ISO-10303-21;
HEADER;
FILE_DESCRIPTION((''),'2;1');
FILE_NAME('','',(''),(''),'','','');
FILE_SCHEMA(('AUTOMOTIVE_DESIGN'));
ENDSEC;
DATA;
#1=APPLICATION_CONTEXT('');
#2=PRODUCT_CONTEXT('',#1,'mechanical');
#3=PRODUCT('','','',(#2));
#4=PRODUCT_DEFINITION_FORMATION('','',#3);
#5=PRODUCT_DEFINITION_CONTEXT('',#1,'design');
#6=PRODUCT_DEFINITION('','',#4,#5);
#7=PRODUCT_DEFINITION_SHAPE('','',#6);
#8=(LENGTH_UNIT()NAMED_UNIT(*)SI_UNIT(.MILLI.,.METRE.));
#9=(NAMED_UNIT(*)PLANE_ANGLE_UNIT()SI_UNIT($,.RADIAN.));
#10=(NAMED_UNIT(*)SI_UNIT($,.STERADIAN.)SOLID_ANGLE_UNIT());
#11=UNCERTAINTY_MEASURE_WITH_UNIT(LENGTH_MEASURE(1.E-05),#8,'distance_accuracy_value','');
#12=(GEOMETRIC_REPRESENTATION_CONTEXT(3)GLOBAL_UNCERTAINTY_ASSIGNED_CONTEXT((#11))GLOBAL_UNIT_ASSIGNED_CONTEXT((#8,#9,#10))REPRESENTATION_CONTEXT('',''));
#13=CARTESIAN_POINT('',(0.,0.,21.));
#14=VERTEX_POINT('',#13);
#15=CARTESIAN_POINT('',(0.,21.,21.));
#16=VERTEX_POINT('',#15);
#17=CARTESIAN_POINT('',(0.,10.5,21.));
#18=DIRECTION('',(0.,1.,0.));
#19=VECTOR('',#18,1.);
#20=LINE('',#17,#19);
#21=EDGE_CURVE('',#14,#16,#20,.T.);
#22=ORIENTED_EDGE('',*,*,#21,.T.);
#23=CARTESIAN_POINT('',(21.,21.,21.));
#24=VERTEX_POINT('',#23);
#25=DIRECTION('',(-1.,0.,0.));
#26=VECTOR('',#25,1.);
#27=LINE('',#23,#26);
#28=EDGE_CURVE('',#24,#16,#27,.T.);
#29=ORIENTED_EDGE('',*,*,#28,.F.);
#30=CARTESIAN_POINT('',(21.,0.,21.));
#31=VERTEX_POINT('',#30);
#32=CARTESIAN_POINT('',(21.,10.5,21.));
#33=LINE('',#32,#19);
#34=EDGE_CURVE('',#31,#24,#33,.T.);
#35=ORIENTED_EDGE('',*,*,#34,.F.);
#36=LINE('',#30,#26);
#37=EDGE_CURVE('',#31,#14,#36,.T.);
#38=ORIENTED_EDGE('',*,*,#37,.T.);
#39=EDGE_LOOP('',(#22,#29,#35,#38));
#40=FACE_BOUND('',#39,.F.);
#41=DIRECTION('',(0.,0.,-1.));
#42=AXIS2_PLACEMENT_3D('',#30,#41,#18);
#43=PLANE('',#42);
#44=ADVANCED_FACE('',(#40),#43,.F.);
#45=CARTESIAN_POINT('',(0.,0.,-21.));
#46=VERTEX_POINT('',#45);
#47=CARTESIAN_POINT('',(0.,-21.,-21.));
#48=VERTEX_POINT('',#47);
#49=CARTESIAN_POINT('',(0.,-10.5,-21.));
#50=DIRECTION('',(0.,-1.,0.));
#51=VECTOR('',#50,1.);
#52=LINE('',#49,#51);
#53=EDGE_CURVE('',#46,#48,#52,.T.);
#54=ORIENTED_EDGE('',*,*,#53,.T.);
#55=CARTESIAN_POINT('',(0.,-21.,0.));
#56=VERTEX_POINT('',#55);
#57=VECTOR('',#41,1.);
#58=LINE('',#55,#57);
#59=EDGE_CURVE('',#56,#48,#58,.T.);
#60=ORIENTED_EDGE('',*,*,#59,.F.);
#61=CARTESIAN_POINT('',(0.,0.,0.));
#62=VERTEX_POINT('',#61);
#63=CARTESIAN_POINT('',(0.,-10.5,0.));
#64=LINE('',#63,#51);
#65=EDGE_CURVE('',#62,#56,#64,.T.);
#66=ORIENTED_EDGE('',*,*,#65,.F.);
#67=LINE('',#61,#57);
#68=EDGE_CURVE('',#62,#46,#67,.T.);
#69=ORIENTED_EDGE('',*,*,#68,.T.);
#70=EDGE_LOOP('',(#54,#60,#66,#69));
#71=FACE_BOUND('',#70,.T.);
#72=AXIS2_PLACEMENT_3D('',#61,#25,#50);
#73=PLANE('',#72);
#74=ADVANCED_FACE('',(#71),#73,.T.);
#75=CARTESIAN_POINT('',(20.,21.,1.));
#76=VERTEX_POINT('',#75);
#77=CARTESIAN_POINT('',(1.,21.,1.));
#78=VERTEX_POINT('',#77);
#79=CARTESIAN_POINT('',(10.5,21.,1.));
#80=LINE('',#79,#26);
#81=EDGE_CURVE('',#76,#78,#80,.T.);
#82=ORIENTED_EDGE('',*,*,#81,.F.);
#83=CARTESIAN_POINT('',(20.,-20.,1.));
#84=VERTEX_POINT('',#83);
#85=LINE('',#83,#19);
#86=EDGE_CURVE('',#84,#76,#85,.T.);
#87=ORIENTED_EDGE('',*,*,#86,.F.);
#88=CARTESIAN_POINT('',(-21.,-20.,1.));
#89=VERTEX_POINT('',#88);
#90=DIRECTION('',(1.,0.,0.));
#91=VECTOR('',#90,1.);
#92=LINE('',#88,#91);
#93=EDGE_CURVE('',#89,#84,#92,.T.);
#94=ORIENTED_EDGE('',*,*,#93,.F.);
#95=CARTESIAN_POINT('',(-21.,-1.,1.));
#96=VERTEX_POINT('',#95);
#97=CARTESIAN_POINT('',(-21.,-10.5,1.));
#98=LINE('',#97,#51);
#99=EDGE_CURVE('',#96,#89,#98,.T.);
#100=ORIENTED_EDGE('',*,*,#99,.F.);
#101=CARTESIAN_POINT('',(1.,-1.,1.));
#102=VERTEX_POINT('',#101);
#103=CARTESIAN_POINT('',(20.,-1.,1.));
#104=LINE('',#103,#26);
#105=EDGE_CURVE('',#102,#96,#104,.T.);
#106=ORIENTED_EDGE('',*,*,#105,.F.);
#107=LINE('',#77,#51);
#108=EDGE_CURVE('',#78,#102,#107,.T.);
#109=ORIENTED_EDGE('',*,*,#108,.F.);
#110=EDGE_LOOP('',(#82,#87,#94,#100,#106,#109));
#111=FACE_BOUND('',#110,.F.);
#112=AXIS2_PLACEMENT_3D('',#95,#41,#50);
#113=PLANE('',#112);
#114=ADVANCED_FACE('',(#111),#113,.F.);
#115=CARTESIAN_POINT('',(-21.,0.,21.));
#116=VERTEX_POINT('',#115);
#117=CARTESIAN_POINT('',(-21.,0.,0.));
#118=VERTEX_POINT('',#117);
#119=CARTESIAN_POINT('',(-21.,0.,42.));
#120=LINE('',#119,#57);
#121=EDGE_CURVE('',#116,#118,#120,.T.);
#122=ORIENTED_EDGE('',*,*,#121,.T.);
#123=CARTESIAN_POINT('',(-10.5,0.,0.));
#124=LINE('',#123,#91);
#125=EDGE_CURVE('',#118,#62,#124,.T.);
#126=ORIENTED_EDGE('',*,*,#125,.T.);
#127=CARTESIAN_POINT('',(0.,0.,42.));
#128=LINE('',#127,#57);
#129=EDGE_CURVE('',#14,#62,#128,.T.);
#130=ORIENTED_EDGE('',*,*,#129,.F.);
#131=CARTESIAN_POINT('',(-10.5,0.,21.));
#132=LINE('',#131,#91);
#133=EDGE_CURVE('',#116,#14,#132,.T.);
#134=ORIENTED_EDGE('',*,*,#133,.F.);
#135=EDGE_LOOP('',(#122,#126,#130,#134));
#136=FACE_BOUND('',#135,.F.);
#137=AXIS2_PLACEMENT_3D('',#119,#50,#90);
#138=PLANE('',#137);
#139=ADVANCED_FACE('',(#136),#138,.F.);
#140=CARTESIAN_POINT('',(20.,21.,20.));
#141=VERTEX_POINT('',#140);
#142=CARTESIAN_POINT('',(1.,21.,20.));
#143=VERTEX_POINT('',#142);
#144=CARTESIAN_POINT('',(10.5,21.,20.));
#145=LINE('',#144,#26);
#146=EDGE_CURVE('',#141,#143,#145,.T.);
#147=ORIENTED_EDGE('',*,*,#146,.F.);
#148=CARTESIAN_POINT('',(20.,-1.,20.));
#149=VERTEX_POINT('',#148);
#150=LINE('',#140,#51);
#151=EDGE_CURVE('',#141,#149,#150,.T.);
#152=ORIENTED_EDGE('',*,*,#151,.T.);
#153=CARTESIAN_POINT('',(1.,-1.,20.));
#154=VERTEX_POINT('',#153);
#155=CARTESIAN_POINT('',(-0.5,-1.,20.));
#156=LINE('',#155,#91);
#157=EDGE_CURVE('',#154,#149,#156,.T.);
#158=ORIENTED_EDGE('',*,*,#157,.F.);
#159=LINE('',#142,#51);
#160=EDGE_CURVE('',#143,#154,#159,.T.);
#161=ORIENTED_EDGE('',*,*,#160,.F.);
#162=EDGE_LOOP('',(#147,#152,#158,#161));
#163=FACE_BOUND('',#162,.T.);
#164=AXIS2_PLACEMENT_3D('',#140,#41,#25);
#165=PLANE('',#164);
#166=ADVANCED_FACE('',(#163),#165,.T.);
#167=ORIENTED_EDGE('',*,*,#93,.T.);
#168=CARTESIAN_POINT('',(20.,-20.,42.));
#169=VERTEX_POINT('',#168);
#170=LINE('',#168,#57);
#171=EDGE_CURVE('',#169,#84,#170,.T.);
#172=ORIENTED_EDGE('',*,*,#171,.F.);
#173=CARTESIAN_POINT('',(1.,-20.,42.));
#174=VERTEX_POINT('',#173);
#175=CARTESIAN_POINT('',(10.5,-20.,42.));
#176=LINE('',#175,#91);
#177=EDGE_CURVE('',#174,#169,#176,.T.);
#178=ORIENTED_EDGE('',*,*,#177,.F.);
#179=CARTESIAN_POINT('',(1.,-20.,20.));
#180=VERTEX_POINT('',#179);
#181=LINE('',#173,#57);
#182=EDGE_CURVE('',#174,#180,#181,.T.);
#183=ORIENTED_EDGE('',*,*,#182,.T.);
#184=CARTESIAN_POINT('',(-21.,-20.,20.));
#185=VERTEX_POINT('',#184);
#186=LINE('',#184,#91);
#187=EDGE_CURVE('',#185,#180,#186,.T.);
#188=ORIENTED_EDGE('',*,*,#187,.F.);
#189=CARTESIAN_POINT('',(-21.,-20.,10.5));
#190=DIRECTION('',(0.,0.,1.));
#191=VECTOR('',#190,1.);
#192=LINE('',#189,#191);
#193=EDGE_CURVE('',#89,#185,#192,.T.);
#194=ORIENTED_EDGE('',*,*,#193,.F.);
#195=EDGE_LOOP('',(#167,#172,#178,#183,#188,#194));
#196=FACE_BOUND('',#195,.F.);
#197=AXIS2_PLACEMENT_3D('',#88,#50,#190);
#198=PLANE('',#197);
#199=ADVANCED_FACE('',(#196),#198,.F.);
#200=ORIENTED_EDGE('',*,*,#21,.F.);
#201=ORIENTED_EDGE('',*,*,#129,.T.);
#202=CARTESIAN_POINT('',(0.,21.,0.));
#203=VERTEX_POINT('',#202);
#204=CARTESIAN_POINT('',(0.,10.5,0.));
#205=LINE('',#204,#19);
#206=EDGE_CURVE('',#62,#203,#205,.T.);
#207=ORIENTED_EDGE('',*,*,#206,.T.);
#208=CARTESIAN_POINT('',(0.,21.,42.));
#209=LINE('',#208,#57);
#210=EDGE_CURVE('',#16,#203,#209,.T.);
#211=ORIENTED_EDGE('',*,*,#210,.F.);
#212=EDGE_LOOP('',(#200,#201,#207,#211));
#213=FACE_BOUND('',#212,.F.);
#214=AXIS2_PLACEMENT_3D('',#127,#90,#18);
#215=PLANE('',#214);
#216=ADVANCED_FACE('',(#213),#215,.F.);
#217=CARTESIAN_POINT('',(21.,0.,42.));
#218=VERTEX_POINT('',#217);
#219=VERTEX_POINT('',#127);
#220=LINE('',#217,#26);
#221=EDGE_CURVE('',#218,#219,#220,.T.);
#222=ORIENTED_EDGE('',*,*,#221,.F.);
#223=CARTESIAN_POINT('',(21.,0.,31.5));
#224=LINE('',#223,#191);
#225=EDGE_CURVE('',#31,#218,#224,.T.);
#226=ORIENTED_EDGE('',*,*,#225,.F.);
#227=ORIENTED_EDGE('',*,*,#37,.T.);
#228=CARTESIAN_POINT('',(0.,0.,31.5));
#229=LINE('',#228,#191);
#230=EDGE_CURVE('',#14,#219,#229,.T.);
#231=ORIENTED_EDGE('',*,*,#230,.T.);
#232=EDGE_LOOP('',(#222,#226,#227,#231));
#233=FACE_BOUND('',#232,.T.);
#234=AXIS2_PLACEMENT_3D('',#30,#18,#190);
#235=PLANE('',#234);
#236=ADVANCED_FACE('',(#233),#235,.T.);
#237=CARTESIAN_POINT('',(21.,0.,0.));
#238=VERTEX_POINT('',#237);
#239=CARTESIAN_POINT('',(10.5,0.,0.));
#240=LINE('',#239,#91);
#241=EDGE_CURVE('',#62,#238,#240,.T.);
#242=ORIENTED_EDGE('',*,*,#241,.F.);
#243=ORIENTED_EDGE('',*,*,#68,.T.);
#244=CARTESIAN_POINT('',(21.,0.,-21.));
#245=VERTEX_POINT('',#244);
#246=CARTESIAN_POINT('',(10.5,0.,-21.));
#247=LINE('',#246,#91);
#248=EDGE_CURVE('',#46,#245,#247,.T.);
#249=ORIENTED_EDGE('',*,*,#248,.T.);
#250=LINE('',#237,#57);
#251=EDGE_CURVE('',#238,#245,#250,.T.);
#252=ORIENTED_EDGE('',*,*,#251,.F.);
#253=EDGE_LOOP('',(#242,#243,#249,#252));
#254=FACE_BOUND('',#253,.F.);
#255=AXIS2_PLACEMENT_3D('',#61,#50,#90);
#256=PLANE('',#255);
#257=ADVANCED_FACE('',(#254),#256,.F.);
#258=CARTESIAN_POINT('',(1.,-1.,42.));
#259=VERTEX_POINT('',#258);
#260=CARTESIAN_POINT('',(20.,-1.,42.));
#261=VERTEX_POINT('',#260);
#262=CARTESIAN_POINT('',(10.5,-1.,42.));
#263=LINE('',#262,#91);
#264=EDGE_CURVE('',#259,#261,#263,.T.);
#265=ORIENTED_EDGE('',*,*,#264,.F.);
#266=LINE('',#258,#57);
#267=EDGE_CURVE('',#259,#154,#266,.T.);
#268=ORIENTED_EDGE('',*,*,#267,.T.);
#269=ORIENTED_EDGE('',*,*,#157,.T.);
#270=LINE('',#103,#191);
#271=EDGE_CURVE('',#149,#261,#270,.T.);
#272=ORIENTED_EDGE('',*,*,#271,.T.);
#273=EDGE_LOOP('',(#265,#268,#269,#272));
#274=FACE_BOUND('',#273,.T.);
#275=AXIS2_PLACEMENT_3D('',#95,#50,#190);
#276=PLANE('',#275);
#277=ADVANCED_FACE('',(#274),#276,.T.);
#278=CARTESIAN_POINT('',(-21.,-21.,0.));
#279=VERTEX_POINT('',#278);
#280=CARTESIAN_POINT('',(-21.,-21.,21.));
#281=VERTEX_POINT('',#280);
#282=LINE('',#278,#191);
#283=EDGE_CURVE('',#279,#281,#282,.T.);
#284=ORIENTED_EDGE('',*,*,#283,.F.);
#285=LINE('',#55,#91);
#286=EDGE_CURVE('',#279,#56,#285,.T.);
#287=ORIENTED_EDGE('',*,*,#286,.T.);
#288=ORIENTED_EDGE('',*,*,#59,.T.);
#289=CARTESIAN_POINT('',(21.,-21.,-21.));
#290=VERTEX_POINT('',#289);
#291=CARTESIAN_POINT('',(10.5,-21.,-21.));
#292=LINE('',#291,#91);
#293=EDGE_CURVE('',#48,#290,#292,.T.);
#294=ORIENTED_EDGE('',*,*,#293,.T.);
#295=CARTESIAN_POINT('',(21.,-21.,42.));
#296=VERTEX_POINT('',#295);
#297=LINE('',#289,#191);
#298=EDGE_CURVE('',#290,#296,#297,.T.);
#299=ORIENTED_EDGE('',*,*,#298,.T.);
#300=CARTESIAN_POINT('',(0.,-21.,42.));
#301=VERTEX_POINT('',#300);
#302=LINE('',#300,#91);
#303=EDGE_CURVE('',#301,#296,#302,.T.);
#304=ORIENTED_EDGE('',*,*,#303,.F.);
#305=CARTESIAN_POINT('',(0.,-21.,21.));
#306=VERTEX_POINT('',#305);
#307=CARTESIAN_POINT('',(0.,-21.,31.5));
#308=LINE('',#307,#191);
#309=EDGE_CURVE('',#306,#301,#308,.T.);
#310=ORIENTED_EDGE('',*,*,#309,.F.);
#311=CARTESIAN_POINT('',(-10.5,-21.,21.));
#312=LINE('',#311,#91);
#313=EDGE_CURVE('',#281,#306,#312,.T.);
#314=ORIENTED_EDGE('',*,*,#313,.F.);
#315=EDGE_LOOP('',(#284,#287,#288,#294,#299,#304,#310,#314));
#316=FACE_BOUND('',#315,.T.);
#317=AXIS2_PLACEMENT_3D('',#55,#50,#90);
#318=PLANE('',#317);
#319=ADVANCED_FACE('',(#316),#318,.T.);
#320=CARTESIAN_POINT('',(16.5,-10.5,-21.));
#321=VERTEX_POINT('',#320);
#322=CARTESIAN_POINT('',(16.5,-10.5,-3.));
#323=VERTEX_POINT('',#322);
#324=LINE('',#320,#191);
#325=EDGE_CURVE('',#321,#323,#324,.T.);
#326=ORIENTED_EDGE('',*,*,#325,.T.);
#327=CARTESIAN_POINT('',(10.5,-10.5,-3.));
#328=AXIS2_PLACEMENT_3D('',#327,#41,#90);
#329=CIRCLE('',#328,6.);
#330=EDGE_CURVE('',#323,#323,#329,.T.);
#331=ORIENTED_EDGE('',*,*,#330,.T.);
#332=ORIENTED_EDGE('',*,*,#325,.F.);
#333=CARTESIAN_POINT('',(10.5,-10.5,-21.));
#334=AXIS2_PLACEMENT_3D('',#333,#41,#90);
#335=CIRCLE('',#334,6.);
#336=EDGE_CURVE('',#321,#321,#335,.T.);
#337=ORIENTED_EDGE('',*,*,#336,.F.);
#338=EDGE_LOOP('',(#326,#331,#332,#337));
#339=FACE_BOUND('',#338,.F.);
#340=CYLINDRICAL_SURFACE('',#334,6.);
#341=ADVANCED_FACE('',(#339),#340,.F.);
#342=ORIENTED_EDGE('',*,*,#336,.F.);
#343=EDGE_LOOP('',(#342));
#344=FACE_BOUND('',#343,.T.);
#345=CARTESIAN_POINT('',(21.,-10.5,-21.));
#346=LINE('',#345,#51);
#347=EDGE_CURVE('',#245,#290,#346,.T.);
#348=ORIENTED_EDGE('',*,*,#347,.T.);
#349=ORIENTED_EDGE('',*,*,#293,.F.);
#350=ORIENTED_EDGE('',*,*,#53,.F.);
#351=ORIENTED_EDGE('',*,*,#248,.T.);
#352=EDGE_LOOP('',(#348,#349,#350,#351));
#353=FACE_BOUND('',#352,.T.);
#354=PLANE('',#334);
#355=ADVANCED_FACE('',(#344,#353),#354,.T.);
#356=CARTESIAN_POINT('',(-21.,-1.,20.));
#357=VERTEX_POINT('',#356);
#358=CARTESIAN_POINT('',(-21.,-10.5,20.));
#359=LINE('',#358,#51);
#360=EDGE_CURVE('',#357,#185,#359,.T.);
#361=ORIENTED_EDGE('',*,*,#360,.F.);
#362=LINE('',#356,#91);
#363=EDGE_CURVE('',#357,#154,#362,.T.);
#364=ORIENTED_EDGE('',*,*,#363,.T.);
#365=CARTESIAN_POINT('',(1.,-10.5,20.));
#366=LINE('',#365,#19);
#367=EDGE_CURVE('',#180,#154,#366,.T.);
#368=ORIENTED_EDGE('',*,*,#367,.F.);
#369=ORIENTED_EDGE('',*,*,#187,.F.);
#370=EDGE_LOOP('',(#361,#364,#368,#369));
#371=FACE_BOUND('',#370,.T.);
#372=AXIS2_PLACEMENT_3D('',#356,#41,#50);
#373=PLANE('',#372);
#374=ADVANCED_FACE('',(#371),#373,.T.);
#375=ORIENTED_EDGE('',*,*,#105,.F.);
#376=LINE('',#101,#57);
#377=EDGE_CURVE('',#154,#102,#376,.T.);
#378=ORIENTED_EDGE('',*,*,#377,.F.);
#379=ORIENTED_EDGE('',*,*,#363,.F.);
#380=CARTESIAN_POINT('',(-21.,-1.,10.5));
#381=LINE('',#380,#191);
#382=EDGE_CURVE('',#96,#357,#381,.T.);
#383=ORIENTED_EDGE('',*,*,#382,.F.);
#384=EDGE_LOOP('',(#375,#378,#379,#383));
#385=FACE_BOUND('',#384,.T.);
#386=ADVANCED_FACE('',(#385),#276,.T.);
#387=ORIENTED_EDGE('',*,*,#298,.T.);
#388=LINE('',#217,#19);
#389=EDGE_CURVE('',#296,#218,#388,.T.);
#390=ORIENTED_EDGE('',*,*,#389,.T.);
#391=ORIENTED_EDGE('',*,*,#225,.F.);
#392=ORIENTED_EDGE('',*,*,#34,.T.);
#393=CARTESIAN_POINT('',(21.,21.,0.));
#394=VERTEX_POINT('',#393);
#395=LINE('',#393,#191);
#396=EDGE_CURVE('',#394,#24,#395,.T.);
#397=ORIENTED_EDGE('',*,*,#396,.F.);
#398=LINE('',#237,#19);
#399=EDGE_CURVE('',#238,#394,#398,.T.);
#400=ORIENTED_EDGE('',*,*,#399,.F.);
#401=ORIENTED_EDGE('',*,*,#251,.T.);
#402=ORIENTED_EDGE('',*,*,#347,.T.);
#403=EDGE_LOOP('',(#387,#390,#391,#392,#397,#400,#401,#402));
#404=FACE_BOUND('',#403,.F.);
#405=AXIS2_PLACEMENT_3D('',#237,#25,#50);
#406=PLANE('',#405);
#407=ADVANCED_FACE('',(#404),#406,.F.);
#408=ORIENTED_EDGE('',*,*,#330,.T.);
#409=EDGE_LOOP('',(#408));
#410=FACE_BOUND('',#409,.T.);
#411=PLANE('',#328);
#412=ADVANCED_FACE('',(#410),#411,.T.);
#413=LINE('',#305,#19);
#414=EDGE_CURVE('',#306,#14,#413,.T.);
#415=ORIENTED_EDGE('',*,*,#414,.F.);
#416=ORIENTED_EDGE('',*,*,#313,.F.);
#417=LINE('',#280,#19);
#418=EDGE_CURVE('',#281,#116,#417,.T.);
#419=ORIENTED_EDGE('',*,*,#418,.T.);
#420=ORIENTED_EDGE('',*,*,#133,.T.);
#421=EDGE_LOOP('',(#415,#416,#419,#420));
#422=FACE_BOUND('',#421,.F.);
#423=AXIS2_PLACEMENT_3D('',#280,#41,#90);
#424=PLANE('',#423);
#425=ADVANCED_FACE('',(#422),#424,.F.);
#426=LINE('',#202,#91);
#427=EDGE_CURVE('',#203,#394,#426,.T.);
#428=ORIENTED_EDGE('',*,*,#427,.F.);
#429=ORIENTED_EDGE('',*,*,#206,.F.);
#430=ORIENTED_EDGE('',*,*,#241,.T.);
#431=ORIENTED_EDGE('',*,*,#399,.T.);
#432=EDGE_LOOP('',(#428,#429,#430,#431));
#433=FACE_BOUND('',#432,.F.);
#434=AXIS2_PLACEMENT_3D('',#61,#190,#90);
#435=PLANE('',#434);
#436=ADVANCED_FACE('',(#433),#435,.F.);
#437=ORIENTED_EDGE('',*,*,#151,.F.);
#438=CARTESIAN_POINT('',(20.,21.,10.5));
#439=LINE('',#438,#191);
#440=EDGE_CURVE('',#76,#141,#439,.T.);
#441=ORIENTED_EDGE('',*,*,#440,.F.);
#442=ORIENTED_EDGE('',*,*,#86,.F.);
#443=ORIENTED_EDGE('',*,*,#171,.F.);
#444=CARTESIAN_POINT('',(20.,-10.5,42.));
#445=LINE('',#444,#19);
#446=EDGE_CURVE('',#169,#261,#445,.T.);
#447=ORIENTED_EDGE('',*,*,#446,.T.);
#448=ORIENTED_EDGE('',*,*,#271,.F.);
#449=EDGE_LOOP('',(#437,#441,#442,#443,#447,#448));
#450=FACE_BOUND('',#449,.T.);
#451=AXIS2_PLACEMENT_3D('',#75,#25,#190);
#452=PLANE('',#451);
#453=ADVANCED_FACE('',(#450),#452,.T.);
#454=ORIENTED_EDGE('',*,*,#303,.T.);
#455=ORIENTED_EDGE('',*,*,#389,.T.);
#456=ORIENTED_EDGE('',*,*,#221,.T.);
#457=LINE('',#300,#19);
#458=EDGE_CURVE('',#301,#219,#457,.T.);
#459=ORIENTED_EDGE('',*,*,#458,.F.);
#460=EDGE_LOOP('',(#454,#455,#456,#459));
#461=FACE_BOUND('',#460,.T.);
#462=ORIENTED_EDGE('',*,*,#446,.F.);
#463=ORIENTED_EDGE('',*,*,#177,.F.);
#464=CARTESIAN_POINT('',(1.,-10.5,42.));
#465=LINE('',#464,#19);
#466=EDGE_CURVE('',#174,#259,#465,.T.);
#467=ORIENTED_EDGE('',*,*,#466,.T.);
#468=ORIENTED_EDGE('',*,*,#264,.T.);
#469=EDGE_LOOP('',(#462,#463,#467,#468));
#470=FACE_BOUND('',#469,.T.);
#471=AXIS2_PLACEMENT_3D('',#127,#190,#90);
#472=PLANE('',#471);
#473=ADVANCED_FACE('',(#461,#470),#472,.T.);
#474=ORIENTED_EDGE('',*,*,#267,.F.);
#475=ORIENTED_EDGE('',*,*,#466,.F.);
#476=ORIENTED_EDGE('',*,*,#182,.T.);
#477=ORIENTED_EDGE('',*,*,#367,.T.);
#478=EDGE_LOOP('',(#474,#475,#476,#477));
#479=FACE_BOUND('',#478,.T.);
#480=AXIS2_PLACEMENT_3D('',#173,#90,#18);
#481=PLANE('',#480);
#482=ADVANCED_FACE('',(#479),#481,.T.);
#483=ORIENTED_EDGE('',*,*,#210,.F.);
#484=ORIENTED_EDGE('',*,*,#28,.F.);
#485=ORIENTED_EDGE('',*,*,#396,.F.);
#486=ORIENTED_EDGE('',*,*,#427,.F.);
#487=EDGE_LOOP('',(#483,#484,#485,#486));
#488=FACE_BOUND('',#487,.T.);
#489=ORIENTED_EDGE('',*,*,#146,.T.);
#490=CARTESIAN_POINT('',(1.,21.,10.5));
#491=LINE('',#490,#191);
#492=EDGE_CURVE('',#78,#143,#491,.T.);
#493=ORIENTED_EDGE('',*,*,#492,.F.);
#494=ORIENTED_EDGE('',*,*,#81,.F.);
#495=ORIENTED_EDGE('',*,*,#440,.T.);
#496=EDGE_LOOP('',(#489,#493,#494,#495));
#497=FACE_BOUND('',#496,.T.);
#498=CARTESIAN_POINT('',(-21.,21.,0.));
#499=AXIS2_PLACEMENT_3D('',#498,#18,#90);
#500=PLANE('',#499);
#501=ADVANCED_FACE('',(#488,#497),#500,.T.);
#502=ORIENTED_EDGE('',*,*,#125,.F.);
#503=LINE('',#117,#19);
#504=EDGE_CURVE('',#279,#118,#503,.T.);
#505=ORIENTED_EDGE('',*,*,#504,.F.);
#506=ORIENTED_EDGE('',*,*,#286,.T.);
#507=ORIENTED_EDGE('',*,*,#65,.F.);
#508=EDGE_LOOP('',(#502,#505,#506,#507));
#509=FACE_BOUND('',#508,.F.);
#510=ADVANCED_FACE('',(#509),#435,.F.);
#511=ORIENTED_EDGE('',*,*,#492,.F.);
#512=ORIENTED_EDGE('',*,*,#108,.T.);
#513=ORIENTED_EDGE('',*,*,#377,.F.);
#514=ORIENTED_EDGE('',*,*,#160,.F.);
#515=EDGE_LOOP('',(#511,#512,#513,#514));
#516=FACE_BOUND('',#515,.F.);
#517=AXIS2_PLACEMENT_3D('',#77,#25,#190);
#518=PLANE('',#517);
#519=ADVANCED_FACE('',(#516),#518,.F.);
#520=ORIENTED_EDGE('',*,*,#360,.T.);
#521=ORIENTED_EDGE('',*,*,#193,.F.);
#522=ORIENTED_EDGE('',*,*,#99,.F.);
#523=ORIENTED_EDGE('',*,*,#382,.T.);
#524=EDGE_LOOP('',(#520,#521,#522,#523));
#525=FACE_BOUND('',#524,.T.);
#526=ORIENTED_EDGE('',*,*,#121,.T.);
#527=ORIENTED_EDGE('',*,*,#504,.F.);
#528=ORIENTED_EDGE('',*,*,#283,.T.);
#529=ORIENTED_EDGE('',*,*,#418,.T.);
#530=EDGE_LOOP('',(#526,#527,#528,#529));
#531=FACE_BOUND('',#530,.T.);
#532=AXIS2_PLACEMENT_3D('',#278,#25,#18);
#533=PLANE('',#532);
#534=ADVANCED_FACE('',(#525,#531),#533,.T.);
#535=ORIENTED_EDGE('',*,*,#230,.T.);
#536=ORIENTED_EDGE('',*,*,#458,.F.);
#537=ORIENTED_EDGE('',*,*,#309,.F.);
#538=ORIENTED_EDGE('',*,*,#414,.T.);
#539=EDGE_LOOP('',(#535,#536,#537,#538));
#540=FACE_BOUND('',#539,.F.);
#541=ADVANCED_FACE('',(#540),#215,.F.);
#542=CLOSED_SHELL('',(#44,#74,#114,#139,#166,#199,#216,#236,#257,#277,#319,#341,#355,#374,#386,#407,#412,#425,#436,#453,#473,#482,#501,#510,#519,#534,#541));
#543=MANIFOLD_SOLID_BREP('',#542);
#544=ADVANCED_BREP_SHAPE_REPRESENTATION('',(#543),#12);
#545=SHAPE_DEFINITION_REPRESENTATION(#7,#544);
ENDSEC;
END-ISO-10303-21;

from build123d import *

# Parameters (mm, degrees)
F0_W      = 42
F0_H      = 42
F1_DEPTH  = 42
F2_W      = 21
F2_H      = 21
F3_DEPTH  = 42
F4_W      = 21
F4_H      = 21
F5_DEPTH  = 21
F6_W      = 21
F6_H      = 21
F7_DEPTH  = 21
F8_W      = 19
F8_H      = 19
F9_DEPTH  = 41
F10_W     = 19
F10_H     = 19
F11_DEPTH = 41
F12_W     = 19
F12_H     = 19
F13_DEPTH = 41
F14_W     = 21
F14_H     = 21
F15_DEPTH = 21
F16_R     = 6
F17_DEPTH = 18


with BuildPart() as f1:
    # F0 (on Top) → F1 (new body)
    with BuildSketch(Plane.XY):
        Rectangle(F0_W, F0_H)
    extrude(amount=F1_DEPTH)

    # F2 (on face) → F3 (cut, through all)
    with BuildSketch(Plane.XY.offset(42)):
        with Locations((-10.5, 10.5)):
            Rectangle(F2_W, F2_H)
    extrude(amount=-F3_DEPTH, mode=Mode.SUBTRACT)

    # F4 (on face) → F5 (cut, through all)
    with BuildSketch(Plane.XZ.offset(21)):
        with Locations((-10.5, 31.5)):
            Rectangle(F4_W, F4_H)
    extrude(amount=-F5_DEPTH, mode=Mode.SUBTRACT)

    # F6 (on face) → F7 (cut, through all)
    with BuildSketch(Plane.YZ.offset(21)):
        with Locations((10.5, 31.5)):
            Rectangle(F6_W, F6_H)
    extrude(amount=-F7_DEPTH, mode=Mode.SUBTRACT)

    # F8 (on face) → F9 (cut)
    with BuildSketch(Plane.XY.offset(42)):
        with Locations((10.5, -10.5)):
            Rectangle(F8_W, F8_H)
    extrude(amount=-F9_DEPTH, mode=Mode.SUBTRACT)

    # F10 (on face) → F11 (cut)
    with BuildSketch(Plane(origin=(-21, 0, 0), x_dir=(0, -1, 0), z_dir=(-1, 0, 0))):
        with Locations((10.5, 10.5)):
            Rectangle(F10_W, F10_H)
    extrude(amount=-F11_DEPTH, mode=Mode.SUBTRACT)

    # F12 (on face) → F13 (cut)
    with BuildSketch(Plane(origin=(0, 21, 0), x_dir=(-1, 0, 0), z_dir=(0, 1, 0))):
        with Locations((-10.5, 10.5)):
            Rectangle(F12_W, F12_H)
    extrude(amount=-F13_DEPTH, mode=Mode.SUBTRACT)

    # F14 (on face) → F15 (join)
    with BuildSketch(Plane(origin=(0, 0, 0), x_dir=(1, 0, 0), z_dir=(0, 0, -1))):
        with Locations((10.5, 10.5)):
            Rectangle(F14_W, F14_H)
    extrude(amount=F15_DEPTH)

    # F16 (on face) → F17 (cut)
    with BuildSketch(Plane(origin=(0, 0, -21), x_dir=(1, 0, 0), z_dir=(0, 0, -1))):
        with Locations((10.5, 10.5)):
            Circle(F16_R)
    extrude(amount=-F17_DEPTH, mode=Mode.SUBTRACT)


solid = f1.part
